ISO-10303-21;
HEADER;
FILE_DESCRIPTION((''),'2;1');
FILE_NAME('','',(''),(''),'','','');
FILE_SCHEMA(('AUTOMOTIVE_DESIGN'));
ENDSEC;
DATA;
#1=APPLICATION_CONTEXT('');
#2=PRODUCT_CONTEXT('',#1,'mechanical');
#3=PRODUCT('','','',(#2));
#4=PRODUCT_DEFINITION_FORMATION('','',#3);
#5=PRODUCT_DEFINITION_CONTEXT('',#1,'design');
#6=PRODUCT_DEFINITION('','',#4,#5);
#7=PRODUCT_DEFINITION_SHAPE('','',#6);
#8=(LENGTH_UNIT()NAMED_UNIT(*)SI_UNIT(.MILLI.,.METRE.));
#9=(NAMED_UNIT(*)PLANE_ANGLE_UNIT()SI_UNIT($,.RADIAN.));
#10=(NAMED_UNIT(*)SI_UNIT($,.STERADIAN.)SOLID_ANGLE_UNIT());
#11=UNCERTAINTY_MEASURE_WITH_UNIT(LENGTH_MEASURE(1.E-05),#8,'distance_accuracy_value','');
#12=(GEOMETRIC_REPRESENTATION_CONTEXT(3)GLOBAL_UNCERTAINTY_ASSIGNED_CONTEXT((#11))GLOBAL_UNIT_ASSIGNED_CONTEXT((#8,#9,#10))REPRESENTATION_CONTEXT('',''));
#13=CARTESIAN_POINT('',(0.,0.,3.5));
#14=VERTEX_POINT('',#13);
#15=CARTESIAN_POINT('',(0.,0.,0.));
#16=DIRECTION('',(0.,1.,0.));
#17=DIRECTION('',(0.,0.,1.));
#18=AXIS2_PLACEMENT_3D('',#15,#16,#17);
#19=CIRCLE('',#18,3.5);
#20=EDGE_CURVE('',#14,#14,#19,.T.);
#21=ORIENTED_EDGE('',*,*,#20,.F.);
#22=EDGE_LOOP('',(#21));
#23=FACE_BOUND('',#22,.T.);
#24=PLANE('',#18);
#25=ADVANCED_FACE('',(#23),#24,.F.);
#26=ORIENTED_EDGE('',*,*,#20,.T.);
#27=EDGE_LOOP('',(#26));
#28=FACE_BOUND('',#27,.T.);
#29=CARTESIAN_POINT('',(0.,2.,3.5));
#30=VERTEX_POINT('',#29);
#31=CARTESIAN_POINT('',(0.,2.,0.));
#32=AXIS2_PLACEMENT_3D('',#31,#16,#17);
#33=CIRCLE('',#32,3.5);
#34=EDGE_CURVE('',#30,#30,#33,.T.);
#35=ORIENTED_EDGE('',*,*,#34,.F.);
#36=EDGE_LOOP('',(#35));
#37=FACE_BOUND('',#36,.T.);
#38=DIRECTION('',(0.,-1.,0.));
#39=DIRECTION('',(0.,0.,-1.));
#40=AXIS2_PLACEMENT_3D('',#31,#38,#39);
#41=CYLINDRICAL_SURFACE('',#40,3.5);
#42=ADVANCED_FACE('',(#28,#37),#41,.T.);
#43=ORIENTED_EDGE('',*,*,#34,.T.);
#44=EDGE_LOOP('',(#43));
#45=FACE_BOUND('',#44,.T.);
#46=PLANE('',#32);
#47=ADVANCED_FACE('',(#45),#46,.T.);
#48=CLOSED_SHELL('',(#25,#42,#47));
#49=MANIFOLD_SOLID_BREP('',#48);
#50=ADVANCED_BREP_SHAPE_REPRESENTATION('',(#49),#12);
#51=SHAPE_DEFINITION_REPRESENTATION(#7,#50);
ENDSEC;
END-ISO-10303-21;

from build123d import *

# Parameters (mm, degrees)
SKETCH1_R           = 3.5
BOSS_EXTRUDE1_DEPTH = 2


with BuildPart() as part:
    # Sketch1 → Boss-Extrude1 (new body)
    with BuildSketch(Plane(origin=(0, 0, 0), x_dir=(1, 0, 0), z_dir=(0, 1, 0))):
        with Locations(Location((0, 0, 0), (0, 0, 270))):
            Circle(SKETCH1_R)
    extrude(amount=BOSS_EXTRUDE1_DEPTH)


solid = part.part
